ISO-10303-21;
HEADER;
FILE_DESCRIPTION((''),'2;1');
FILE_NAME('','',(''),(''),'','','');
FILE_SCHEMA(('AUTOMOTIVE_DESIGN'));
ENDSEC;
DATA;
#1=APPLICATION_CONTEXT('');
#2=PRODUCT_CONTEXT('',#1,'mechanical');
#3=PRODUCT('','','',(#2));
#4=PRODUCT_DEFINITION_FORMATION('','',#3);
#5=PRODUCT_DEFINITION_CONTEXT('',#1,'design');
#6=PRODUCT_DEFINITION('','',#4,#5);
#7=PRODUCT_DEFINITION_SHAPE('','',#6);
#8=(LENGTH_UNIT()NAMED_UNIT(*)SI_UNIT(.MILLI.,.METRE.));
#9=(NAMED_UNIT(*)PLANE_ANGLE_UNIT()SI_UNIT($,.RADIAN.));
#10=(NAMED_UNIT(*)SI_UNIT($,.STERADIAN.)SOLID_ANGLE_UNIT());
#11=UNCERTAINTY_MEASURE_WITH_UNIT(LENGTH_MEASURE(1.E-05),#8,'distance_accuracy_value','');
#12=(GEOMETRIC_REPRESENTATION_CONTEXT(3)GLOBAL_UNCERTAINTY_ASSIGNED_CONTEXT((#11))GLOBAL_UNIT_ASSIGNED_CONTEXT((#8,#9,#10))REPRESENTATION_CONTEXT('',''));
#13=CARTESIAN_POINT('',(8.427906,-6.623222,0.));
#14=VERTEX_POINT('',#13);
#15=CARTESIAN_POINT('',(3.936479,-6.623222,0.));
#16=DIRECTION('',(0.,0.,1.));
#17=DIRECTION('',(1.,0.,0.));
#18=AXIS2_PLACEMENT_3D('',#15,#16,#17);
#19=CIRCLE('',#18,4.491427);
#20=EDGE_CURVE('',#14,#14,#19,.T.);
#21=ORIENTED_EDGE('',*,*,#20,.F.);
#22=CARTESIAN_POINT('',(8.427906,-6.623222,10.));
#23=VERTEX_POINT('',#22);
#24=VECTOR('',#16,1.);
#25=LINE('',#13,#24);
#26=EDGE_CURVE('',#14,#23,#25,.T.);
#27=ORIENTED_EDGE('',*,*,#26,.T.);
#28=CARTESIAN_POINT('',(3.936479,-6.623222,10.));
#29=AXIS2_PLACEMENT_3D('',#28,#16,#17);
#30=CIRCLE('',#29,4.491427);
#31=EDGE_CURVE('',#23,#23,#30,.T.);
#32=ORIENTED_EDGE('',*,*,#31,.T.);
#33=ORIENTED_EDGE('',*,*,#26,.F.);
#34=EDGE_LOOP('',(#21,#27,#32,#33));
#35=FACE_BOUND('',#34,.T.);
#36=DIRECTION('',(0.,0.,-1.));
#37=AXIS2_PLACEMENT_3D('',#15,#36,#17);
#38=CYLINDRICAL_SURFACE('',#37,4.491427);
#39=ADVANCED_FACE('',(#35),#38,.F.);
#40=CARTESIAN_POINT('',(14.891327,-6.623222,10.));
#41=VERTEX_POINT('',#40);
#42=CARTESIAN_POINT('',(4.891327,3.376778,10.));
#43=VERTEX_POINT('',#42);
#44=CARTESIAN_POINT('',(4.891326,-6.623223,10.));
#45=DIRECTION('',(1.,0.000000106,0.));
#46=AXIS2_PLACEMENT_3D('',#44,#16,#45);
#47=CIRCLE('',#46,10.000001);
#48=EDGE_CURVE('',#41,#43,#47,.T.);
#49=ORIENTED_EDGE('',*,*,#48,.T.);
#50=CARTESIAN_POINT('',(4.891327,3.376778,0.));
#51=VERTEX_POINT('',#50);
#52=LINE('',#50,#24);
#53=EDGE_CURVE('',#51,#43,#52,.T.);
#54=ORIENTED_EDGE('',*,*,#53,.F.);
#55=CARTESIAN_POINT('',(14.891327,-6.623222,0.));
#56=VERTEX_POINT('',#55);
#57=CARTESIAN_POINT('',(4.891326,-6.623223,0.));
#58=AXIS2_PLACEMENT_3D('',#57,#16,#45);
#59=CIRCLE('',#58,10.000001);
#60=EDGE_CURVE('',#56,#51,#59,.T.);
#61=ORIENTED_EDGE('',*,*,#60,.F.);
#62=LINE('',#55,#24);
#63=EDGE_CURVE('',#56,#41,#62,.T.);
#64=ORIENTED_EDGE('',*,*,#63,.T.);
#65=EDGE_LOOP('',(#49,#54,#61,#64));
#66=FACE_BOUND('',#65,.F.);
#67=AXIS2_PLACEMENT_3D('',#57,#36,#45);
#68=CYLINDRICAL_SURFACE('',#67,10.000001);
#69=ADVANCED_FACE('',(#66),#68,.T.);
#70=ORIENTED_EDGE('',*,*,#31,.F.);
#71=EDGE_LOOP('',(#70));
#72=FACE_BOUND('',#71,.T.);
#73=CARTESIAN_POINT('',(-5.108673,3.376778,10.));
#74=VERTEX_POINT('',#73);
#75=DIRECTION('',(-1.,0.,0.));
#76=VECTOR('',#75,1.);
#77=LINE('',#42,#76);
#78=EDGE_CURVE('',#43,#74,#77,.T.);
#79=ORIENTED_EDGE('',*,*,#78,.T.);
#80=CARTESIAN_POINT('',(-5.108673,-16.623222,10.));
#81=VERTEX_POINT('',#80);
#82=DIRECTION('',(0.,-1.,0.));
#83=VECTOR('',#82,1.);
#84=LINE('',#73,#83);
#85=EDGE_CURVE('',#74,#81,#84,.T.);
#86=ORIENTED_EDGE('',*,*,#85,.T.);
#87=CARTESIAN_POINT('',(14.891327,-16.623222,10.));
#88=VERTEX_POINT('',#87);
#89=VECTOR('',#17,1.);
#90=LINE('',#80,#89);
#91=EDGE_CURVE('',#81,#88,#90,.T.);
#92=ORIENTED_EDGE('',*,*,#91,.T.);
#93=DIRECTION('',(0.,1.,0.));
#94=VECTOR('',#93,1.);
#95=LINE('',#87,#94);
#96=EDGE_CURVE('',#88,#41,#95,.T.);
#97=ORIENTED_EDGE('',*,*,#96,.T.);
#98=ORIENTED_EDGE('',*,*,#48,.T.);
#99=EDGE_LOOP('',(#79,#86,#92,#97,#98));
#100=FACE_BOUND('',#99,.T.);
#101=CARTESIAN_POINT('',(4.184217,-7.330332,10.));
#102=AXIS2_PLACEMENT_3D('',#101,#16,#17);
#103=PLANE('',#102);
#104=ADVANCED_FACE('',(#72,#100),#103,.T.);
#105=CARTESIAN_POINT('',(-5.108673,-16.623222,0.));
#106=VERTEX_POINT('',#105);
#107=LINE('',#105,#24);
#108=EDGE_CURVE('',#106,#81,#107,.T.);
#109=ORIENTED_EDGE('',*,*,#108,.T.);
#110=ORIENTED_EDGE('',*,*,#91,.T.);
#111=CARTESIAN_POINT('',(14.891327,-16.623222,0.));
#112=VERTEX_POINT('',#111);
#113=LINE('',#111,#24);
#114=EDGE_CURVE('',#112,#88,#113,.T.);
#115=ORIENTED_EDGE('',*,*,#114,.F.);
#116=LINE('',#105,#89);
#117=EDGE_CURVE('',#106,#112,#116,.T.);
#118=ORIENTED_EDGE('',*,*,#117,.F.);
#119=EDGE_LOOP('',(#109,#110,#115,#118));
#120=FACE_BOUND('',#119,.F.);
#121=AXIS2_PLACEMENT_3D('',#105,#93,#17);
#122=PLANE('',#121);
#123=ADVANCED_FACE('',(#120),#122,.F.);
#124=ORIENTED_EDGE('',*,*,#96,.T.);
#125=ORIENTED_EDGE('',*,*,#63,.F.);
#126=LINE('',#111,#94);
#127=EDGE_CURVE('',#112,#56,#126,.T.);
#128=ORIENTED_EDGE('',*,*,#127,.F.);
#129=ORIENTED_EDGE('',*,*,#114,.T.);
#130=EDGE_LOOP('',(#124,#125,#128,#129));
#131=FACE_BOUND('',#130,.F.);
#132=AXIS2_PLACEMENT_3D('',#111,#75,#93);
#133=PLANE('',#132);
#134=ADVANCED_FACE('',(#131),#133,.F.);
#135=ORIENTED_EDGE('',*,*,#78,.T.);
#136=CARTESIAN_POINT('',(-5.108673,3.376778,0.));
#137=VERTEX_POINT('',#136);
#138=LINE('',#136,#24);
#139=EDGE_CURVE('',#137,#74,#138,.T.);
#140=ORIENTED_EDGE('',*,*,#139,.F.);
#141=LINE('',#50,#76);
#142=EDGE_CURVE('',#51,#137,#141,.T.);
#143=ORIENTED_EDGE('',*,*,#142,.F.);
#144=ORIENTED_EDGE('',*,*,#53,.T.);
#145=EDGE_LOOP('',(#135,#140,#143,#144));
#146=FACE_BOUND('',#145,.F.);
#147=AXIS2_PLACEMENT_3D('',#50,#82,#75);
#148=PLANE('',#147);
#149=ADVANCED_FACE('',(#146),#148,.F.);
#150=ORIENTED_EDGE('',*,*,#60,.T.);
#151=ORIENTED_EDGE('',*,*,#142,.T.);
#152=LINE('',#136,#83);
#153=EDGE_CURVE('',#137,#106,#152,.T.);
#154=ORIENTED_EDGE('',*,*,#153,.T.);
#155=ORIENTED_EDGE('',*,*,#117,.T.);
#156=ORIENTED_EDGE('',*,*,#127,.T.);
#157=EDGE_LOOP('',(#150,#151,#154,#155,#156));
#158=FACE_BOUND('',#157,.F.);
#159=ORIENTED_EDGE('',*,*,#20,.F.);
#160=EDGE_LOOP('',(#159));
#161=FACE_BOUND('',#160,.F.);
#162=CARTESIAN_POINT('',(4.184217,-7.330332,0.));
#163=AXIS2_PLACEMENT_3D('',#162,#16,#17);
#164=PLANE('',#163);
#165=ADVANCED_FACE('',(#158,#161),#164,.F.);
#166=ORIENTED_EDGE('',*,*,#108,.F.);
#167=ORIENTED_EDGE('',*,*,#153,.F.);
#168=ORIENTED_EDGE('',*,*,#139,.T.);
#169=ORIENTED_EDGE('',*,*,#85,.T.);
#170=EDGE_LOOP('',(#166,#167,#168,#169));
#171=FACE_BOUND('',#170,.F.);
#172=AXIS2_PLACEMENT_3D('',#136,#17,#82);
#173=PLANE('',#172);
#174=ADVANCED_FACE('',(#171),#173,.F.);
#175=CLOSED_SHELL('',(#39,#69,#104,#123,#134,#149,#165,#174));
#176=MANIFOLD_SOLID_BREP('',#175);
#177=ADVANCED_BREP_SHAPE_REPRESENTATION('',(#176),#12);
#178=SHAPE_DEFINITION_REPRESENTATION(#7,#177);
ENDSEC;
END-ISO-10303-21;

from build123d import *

# Parameters (mm, degrees)
F0_R     = 4.491427
F1_DEPTH = 10


with BuildPart() as f1:
    # F0 (on Top) → F1 (new body)
    with BuildSketch(Plane.XY):
        with BuildLine():
            Line((4.891327, 3.376778), (-5.108673, 3.376778))
            Line((-5.108673, 3.376778), (-5.108673, -16.623222))
            Line((-5.108673, -16.623222), (14.891327, -16.623222))
            Line((14.891327, -16.623222), (14.891327, -6.623222))
            ThreePointArc((14.891327, -6.623222), (11.962394, 0.447846), (4.891327, 3.376778))
        make_face()
        with Locations((3.936479, -6.623222)):
            Circle(F0_R, mode=Mode.SUBTRACT)
    extrude(amount=F1_DEPTH)


solid = f1.part
